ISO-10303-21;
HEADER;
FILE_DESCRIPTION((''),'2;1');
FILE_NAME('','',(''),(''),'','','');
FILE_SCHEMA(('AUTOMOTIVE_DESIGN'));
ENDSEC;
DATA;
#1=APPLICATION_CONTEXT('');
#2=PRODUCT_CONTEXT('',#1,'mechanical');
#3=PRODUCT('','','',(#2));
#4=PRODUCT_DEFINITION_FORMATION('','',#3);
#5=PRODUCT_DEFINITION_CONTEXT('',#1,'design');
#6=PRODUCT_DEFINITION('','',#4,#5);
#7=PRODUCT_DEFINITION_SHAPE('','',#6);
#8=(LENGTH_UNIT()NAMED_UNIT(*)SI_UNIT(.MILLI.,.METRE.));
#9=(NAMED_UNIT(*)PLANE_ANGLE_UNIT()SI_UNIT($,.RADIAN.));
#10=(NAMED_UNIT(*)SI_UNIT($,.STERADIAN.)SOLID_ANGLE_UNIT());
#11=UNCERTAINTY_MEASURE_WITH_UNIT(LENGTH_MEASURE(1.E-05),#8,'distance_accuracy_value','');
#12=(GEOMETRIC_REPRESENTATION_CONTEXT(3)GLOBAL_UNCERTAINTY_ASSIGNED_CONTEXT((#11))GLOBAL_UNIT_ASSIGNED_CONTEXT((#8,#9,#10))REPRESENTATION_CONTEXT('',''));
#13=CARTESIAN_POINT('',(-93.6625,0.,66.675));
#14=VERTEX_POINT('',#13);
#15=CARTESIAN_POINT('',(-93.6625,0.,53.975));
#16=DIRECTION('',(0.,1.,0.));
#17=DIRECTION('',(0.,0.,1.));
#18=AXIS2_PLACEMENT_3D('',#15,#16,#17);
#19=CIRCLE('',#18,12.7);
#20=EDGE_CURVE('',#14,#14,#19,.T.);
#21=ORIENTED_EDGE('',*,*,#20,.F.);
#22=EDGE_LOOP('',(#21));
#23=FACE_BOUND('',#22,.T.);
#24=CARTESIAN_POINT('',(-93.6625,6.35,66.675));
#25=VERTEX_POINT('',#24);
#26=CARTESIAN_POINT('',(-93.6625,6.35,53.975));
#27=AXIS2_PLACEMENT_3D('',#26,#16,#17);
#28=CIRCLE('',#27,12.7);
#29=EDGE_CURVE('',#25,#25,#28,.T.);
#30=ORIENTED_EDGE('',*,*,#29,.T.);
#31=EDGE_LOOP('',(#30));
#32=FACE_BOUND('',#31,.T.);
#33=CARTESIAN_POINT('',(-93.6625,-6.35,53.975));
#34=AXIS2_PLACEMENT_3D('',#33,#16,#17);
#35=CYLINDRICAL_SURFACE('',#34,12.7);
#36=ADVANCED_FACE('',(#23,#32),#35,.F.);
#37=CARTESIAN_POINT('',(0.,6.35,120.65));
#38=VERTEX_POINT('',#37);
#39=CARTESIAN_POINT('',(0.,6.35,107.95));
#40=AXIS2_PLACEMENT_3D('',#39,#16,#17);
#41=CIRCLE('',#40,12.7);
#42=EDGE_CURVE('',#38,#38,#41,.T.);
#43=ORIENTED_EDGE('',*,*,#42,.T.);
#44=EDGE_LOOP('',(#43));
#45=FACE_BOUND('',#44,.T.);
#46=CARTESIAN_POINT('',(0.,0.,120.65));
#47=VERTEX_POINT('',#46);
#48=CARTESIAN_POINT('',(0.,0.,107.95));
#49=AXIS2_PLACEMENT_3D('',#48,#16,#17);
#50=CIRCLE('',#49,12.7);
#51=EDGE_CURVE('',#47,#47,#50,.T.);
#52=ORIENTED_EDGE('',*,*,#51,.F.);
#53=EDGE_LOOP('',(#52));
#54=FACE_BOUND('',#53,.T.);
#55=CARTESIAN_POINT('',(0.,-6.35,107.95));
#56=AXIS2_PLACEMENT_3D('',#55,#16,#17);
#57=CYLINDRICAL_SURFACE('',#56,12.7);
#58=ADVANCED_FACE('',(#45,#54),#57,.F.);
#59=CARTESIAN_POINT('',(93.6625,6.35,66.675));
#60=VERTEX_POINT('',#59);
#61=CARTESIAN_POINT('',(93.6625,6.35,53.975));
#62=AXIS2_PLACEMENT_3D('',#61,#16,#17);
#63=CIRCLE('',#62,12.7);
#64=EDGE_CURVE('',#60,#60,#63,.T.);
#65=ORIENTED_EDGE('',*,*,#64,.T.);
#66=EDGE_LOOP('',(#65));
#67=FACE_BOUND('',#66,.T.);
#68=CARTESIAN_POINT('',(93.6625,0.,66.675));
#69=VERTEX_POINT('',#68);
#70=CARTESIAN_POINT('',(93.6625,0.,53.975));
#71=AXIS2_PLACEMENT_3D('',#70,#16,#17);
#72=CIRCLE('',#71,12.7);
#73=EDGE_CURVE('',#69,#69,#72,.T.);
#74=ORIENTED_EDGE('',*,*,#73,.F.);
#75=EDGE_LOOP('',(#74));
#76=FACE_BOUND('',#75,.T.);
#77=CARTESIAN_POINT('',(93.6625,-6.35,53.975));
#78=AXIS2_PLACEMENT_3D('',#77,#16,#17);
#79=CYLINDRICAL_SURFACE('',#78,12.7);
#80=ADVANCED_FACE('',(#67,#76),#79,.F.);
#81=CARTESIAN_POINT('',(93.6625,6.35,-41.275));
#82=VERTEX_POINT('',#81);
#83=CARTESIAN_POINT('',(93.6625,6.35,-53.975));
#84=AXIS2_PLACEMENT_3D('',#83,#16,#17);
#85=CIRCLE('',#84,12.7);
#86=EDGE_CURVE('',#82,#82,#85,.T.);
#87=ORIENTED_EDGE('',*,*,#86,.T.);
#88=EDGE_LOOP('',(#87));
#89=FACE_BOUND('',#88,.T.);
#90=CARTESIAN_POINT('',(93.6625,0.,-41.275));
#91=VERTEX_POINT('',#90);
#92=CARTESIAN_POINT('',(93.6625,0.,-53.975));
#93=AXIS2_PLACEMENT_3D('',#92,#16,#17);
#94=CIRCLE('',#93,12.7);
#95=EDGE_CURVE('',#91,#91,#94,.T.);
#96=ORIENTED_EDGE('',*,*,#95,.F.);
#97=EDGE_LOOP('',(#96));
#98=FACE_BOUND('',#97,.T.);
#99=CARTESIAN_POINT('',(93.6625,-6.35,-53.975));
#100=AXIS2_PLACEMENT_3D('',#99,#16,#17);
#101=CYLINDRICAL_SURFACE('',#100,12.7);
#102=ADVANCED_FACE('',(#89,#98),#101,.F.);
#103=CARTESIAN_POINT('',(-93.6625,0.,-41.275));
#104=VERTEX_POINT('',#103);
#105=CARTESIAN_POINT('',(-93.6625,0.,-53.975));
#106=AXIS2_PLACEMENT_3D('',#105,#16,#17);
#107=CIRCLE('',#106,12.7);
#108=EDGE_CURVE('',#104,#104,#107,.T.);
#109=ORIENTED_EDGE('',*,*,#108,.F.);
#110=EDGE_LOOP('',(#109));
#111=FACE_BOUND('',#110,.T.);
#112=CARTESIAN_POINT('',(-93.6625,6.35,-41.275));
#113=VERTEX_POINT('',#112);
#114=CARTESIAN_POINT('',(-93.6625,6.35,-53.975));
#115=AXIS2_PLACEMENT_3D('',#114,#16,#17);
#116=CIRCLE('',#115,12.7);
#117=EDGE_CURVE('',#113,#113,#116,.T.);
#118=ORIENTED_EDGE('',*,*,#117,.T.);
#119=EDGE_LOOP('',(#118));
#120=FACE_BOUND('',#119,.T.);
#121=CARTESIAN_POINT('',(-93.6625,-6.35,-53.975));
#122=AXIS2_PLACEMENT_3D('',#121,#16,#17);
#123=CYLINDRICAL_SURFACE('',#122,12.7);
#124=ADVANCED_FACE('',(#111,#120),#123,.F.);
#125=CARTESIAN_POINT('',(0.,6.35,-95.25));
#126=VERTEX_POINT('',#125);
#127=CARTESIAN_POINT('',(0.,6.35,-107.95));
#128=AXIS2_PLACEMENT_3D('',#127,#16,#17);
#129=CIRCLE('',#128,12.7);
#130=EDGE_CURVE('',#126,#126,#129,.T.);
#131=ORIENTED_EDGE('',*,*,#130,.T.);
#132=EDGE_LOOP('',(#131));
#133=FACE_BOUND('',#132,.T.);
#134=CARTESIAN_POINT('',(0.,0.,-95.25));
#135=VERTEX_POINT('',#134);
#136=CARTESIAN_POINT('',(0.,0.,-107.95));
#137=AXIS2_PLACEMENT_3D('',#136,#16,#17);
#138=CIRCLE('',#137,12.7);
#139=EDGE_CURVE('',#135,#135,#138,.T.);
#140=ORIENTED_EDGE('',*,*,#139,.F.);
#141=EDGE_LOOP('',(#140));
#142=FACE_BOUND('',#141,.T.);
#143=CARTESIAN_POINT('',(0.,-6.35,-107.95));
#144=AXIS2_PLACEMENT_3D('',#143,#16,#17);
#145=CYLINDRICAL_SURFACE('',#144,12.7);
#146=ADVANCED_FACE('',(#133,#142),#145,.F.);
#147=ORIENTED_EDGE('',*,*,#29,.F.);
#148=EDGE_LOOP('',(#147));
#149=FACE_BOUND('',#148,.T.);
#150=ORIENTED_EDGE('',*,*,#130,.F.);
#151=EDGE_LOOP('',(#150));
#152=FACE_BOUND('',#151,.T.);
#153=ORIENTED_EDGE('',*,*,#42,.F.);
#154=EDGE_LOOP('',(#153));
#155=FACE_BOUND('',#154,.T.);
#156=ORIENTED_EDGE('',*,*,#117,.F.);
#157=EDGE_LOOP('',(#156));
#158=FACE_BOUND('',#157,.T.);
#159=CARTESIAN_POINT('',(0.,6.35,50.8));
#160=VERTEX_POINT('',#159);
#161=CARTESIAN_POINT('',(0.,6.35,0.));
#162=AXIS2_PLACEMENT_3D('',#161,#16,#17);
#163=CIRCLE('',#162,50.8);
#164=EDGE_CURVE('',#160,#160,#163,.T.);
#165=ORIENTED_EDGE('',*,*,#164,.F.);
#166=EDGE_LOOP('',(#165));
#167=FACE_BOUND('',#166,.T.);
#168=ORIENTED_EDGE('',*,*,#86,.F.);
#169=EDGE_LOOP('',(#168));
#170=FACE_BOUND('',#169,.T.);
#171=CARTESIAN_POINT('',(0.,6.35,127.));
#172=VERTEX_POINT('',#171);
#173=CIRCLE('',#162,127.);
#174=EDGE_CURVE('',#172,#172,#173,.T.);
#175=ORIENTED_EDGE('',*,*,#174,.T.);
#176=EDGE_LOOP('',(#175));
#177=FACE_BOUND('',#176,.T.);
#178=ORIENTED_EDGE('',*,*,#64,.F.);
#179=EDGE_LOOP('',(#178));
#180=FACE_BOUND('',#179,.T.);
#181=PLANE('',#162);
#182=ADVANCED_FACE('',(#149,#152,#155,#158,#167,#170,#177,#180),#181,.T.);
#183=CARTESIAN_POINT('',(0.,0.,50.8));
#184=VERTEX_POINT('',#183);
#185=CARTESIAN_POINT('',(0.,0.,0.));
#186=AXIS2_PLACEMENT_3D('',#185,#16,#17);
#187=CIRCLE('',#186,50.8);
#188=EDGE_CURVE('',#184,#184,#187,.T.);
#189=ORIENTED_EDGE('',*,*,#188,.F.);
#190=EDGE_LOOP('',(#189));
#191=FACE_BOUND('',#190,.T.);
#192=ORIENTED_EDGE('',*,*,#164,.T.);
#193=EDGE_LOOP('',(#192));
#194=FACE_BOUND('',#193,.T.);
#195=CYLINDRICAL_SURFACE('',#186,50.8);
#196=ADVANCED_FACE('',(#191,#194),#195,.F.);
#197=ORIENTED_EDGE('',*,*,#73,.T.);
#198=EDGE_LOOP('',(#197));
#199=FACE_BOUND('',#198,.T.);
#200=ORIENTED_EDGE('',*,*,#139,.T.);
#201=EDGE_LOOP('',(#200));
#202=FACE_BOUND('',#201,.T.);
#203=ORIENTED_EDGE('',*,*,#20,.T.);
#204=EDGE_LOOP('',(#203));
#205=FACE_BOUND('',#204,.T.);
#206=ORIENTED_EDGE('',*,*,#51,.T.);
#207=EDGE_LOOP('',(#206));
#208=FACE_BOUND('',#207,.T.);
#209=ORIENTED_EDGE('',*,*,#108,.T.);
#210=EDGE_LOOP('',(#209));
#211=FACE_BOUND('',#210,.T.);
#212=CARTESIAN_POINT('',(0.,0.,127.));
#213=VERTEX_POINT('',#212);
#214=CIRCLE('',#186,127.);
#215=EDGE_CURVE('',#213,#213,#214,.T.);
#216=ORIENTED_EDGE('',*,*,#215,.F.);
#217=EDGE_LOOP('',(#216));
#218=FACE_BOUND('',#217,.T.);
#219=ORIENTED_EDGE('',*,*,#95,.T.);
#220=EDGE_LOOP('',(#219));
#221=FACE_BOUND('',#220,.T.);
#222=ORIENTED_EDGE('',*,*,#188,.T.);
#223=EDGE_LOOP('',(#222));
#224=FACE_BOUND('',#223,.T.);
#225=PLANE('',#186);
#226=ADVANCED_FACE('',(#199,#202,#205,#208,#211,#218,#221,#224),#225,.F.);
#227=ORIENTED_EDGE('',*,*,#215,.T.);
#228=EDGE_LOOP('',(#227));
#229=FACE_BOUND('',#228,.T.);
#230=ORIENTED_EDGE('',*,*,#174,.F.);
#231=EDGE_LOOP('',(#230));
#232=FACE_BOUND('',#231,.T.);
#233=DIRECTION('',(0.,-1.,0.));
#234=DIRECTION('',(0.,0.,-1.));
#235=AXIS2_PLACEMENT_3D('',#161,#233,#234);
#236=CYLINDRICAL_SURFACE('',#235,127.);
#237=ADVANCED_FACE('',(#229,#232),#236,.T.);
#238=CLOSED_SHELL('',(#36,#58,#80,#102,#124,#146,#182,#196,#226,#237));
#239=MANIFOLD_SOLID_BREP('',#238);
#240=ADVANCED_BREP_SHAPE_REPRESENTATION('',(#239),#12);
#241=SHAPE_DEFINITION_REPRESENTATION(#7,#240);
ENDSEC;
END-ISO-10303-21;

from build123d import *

# Parameters (mm, degrees)
SKETCH1_R           = 127
BOSS_EXTRUDE1_DEPTH = 6.35
SKETCH2_R           = 50.8
CUT_EXTRUDE1_DEPTH  = 6.35
SKETCH4_R           = 12.7
CUT_EXTRUDE4_DEPTH  = 12.7


with BuildPart() as part:
    # Sketch1 → Boss-Extrude1 (new body)
    with BuildSketch(Plane(origin=(0, 0, 0), x_dir=(1, 0, 0), z_dir=(0, 1, 0))):
        with Locations(Location((0, 0, 0), (0, 0, 270))):
            Circle(SKETCH1_R)
    extrude(amount=BOSS_EXTRUDE1_DEPTH)

    # Sketch2 → Cut-Extrude1 (cut)
    with BuildSketch(Plane(origin=(0, 6.35, 0), x_dir=(1, 0, 0), z_dir=(0, 1, 0))):
        with Locations(Location((0, 0, 0), (0, 0, 270))):
            Circle(SKETCH2_R)
    extrude(amount=-CUT_EXTRUDE1_DEPTH, mode=Mode.SUBTRACT)

    # Sketch4 → Cut-Extrude4 (cut)
    with BuildSketch(Plane(origin=(0, 6.35, 0), x_dir=(1, 0, 0), z_dir=(0, 1, 0))):
        with Locations(Location((0, 107.95, 0), (0, 0, 270))):
            Circle(SKETCH4_R)
        with Locations(Location((93.6625, 53.975, 0), (0, 0, 270))):
            Circle(SKETCH4_R)
        with Locations(Location((0, -107.95, 0), (0, 0, 270))):
            Circle(SKETCH4_R)
        with Locations(Location((-93.6625, 53.975, 0), (0, 0, 270))):
            Circle(SKETCH4_R)
        with Locations(Location((-93.6625, -53.975, 0), (0, 0, 270))):
            Circle(SKETCH4_R)
        with Locations(Location((93.6625, -53.975, 0), (0, 0, 270))):
            Circle(SKETCH4_R)
    extrude(amount=-CUT_EXTRUDE4_DEPTH, mode=Mode.SUBTRACT)


solid = part.part
